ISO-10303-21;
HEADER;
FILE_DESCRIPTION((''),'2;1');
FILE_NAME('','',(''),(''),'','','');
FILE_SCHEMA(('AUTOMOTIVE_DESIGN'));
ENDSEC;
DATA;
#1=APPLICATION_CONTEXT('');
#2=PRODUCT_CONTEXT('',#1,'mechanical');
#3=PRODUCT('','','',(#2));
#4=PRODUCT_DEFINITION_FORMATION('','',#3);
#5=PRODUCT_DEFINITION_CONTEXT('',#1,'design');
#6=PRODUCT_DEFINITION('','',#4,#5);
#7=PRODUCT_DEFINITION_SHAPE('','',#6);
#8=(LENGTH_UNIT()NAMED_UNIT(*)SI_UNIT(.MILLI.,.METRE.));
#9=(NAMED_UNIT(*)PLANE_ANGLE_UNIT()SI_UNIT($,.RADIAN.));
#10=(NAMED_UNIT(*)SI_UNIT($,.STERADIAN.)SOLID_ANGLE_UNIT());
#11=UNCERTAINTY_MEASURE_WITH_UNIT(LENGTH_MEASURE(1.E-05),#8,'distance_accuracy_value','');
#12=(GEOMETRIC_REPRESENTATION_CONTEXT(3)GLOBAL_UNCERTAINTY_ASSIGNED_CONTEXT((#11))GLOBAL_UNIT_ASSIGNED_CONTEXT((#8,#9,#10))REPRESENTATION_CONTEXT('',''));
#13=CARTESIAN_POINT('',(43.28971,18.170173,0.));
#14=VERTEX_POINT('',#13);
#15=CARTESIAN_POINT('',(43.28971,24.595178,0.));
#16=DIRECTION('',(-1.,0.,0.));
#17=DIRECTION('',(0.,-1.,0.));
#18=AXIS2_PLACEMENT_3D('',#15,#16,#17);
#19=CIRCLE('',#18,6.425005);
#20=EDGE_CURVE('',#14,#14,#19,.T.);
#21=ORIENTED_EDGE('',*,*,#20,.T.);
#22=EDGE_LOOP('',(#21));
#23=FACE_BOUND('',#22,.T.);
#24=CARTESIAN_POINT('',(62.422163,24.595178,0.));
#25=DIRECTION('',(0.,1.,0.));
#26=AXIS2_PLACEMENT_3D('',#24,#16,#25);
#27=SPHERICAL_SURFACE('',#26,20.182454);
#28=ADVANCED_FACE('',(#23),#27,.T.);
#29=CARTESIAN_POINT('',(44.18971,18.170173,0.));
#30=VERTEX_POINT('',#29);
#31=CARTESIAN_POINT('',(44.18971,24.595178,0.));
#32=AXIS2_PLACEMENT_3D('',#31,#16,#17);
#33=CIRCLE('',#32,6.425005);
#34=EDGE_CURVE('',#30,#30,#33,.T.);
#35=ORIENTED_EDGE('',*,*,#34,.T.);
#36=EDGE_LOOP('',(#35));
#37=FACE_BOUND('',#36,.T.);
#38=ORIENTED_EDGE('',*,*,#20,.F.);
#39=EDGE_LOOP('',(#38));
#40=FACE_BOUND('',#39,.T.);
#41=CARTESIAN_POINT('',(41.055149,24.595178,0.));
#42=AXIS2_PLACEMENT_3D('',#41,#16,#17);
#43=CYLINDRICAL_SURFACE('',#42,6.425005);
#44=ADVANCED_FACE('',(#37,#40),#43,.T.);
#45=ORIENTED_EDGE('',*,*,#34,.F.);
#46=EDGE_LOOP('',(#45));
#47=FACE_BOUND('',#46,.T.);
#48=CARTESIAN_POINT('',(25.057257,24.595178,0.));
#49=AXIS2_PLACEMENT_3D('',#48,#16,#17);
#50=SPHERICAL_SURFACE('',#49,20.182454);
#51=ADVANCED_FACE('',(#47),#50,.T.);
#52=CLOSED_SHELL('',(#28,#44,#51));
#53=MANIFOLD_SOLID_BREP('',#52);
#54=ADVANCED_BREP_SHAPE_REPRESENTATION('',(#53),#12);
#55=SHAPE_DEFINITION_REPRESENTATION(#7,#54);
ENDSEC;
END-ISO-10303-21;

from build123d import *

# Parameters (mm, degrees)
SKETCH_1_ONE_SIDE_W = 0.9
SKETCH_1_ONE_SIDE_H = 6.425004896


with BuildPart() as part:
    # 草图1 one side → 旋转1 (revolve)
    with BuildSketch(Plane.XY, mode=Mode.PRIVATE) as revolve_1_sk:
        with Locations((43.739710097, 27.807680728)):
            Rectangle(SKETCH_1_ONE_SIDE_W, SKETCH_1_ONE_SIDE_H)
        with BuildLine():
            Line((42.239709179, 24.59517828), (43.289710097, 24.59517828))
            Line((43.289710097, 24.59517828), (43.289710097, 31.020183176))
            ThreePointArc((43.289710097, 31.020183176), (42.503939066, 27.850296935), (42.239709179, 24.59517828))
        make_face()
        with BuildLine():
            Line((44.189710097, 24.59517828), (45.239711015, 24.59517828))
            ThreePointArc((45.239711015, 24.59517828), (44.975481129, 27.850296935), (44.189710097, 31.020183176))
            Line((44.189710097, 31.020183176), (44.189710097, 24.59517828))
        make_face()
    revolve(revolve_1_sk.sketch.rotate(Axis((41.055149458, 24.59517828, 0), (1, 0, 0)), 180), axis=Axis((41.055149458, 24.59517828, 0), (1, 0, 0)))  # turned: the seam where the file's is


solid = part.part
